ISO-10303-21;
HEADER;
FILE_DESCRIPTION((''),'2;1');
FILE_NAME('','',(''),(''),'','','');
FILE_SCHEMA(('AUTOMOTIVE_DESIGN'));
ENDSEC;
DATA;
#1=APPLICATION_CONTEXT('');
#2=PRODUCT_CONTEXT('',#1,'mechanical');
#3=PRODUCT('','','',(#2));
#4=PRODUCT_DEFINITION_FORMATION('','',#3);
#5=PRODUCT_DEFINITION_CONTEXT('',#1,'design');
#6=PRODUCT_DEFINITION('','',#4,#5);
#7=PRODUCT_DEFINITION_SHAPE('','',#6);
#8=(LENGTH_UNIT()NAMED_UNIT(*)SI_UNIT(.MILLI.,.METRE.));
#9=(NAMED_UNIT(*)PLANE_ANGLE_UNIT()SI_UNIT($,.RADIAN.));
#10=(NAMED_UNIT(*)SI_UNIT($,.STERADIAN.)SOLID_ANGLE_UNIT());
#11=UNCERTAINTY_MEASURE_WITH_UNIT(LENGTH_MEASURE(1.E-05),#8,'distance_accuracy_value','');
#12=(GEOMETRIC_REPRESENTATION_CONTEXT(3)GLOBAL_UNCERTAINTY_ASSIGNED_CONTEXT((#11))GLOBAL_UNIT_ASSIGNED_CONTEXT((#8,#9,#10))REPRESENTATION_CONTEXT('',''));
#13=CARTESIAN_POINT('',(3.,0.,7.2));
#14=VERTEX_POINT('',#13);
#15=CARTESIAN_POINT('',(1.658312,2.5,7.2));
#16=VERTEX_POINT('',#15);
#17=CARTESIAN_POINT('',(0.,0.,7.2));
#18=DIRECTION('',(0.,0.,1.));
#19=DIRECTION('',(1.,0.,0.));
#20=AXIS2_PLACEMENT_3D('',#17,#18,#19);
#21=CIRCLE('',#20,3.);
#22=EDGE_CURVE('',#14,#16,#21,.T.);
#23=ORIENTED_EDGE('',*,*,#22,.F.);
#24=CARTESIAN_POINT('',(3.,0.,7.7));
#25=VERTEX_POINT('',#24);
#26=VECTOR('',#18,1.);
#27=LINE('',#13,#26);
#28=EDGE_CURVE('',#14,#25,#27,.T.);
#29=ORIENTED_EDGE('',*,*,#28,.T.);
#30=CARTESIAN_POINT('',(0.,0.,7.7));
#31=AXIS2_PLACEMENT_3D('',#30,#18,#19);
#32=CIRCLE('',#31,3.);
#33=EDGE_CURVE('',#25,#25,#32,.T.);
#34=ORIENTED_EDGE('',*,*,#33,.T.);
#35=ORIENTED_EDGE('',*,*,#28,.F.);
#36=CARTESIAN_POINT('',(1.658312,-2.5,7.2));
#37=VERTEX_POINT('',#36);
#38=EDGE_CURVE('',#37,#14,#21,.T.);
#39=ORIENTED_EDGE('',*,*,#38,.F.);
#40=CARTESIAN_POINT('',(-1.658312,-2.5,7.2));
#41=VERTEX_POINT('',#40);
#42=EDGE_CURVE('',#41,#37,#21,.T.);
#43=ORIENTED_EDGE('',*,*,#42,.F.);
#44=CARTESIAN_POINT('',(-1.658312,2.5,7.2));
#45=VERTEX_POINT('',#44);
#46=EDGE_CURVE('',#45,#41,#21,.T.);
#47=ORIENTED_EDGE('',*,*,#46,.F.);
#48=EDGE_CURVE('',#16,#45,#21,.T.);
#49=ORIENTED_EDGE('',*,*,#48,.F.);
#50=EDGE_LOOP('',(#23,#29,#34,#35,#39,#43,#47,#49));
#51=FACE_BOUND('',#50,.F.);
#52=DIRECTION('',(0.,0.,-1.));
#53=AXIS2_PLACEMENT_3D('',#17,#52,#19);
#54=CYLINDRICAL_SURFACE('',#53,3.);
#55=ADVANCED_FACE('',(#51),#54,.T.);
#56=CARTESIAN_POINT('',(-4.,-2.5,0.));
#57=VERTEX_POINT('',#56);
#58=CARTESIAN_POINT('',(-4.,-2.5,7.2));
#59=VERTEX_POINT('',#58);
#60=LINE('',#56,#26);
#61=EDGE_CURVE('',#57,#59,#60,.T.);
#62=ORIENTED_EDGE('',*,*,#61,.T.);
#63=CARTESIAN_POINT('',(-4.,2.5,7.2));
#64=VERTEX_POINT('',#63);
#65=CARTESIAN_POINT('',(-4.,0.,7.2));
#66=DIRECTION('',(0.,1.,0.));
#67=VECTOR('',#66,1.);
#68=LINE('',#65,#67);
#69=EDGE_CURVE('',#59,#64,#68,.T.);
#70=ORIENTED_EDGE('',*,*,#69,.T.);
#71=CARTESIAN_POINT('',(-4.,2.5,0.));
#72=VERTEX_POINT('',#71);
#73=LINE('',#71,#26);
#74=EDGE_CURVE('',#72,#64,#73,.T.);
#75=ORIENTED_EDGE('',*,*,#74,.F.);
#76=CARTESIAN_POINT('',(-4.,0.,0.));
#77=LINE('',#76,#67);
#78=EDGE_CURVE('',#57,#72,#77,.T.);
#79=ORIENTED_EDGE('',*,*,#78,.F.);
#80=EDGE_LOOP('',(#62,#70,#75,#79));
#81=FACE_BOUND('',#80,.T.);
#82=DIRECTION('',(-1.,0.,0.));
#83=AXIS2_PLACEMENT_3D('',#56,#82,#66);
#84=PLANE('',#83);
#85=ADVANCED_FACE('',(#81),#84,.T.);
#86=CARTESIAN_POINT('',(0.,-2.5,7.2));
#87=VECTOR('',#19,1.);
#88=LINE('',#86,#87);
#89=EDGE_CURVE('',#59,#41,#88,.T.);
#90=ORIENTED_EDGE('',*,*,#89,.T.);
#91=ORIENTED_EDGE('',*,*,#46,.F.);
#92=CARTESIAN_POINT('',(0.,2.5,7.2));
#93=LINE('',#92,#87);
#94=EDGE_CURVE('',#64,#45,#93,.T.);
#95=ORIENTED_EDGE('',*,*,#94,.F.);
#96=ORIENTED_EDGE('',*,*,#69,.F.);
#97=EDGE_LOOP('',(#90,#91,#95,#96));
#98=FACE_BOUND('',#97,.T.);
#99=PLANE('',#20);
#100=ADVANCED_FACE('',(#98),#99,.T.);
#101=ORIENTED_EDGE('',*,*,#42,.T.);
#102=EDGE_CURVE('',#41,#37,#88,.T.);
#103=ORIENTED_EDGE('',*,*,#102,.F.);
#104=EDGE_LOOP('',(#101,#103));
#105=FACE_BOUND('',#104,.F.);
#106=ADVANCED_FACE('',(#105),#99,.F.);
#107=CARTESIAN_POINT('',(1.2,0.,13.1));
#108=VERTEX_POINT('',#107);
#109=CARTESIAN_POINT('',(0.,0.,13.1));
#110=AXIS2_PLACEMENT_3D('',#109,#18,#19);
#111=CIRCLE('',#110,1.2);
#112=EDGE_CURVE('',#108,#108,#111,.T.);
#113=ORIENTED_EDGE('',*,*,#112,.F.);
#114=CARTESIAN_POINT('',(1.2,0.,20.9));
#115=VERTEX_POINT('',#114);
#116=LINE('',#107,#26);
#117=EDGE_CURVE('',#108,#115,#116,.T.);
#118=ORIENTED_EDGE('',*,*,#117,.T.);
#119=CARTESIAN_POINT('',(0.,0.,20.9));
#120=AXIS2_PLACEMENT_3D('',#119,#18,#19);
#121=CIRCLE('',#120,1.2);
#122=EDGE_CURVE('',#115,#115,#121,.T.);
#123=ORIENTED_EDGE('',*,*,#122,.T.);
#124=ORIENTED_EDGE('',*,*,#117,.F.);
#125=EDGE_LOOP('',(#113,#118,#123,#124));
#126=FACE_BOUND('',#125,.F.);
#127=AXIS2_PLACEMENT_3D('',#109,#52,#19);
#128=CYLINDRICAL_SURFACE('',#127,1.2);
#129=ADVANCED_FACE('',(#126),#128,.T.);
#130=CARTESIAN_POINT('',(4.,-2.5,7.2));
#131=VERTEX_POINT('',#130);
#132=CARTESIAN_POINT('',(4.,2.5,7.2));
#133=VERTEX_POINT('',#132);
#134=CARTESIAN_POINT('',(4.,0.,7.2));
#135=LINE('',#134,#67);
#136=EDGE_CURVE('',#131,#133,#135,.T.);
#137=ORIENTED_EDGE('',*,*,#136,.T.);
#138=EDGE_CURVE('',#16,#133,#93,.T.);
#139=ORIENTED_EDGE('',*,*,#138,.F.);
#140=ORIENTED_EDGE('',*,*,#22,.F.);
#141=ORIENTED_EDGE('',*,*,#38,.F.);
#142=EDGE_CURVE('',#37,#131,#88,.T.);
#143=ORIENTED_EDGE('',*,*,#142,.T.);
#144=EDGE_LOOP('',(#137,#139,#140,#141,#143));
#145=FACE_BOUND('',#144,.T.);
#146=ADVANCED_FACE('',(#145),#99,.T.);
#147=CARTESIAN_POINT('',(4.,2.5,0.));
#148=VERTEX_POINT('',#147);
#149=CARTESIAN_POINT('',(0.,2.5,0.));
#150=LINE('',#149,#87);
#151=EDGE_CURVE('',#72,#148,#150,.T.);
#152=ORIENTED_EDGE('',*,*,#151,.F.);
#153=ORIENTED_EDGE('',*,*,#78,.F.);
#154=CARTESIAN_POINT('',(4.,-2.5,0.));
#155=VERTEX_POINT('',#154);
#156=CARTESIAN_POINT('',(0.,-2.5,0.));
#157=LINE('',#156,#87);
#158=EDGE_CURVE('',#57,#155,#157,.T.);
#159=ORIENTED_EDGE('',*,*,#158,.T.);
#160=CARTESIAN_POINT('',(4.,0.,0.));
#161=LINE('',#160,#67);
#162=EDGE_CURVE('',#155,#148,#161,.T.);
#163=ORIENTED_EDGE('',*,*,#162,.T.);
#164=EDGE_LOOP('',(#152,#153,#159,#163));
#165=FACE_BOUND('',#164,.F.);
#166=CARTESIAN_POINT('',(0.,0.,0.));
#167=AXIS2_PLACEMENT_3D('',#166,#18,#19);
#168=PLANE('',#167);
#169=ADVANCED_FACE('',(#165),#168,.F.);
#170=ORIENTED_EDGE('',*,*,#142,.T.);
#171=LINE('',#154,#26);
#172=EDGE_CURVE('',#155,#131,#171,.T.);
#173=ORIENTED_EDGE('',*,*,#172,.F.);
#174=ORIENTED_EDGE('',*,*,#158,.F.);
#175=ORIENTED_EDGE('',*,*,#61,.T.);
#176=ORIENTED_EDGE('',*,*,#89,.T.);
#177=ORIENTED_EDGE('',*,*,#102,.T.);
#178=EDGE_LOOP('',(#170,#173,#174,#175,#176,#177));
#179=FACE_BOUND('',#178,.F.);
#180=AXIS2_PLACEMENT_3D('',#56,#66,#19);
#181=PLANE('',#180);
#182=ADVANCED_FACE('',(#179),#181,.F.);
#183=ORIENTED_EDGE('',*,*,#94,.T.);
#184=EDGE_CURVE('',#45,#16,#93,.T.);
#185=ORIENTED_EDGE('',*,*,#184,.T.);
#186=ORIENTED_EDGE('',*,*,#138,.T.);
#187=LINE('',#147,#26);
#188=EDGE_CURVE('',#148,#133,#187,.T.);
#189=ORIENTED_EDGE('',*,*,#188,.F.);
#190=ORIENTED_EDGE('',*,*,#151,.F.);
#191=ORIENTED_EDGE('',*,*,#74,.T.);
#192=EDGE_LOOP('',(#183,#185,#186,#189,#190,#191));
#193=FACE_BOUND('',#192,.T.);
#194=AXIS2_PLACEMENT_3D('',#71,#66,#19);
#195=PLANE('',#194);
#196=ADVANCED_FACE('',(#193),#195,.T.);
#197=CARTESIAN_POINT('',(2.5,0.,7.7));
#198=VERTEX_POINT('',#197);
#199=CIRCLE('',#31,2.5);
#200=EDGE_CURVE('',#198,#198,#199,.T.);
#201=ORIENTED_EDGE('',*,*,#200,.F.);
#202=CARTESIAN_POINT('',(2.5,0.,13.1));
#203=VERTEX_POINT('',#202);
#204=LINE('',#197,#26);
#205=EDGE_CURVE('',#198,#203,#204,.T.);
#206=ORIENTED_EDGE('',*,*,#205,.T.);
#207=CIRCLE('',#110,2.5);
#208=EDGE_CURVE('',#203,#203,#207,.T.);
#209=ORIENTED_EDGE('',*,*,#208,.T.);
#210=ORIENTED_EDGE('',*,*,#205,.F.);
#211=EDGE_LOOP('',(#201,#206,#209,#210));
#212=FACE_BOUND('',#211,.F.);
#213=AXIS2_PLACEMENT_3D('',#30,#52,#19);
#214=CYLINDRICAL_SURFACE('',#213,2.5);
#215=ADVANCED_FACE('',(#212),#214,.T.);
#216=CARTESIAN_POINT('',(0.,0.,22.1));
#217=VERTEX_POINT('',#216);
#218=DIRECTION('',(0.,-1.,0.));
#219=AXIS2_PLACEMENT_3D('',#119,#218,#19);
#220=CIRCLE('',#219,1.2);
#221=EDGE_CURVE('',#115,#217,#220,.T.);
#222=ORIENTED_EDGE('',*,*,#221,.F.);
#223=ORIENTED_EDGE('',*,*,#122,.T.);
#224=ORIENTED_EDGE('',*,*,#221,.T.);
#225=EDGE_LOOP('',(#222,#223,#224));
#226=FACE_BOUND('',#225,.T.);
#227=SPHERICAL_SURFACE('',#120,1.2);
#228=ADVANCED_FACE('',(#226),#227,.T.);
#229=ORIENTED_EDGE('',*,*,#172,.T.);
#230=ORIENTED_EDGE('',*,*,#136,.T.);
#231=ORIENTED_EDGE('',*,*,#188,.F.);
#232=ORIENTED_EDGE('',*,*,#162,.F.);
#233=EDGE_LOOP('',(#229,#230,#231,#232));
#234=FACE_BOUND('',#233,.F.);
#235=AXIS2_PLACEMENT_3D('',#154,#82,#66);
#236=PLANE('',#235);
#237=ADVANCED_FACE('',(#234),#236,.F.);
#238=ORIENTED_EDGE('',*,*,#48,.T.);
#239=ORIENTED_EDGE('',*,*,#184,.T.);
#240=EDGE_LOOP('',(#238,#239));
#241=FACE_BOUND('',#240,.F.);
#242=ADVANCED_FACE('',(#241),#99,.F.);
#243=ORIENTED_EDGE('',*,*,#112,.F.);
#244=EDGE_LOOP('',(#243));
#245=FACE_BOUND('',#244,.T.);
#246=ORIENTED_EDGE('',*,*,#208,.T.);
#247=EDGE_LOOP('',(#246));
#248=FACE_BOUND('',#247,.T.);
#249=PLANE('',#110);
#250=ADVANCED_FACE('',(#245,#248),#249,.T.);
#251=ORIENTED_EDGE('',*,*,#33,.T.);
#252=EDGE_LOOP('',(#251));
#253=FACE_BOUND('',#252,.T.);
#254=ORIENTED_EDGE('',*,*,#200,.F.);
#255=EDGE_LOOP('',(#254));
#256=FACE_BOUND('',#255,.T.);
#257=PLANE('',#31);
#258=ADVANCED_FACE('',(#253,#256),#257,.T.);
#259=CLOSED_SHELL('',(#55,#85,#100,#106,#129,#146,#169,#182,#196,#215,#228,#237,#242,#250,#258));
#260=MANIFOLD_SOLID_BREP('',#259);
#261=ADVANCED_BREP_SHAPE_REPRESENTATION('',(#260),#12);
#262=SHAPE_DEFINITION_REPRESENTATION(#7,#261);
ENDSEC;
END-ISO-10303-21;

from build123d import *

# Parameters (mm, degrees)
F0_W     = 8
F0_H     = 5
F1_DEPTH = 7.2
F2_R     = 3
F3_DEPTH = 0.5
F4_R     = 2.5
F5_DEPTH = 5.4
F6_R     = 1.2
F7_DEPTH = 9
F8_R     = 1.2


with BuildPart() as f1:
    # F0 (on Top) → F1 (new body)
    with BuildSketch(Plane.XY):
        Rectangle(F0_W, F0_H)
    extrude(amount=F1_DEPTH)

    # F2 (on face) → F3 (join)
    with BuildSketch(Plane.XY.offset(7.2)):
        Circle(F2_R)
    extrude(amount=F3_DEPTH)

    # F4 (on face) → F5 (join)
    with BuildSketch(Plane.XY.offset(7.7)):
        Circle(F4_R)
    extrude(amount=F5_DEPTH)

    # F6 (on face) → F7 (join)
    with BuildSketch(Plane.XY.offset(13.1)):
        Circle(F6_R)
    extrude(amount=F7_DEPTH)

    # F8
    f8_edges = [f1.edges().sort_by_distance(p)[0] for p in [
        (-1.2, 0, 22.1),
    ]]
    fillet(f8_edges, radius=F8_R)


solid = f1.part
